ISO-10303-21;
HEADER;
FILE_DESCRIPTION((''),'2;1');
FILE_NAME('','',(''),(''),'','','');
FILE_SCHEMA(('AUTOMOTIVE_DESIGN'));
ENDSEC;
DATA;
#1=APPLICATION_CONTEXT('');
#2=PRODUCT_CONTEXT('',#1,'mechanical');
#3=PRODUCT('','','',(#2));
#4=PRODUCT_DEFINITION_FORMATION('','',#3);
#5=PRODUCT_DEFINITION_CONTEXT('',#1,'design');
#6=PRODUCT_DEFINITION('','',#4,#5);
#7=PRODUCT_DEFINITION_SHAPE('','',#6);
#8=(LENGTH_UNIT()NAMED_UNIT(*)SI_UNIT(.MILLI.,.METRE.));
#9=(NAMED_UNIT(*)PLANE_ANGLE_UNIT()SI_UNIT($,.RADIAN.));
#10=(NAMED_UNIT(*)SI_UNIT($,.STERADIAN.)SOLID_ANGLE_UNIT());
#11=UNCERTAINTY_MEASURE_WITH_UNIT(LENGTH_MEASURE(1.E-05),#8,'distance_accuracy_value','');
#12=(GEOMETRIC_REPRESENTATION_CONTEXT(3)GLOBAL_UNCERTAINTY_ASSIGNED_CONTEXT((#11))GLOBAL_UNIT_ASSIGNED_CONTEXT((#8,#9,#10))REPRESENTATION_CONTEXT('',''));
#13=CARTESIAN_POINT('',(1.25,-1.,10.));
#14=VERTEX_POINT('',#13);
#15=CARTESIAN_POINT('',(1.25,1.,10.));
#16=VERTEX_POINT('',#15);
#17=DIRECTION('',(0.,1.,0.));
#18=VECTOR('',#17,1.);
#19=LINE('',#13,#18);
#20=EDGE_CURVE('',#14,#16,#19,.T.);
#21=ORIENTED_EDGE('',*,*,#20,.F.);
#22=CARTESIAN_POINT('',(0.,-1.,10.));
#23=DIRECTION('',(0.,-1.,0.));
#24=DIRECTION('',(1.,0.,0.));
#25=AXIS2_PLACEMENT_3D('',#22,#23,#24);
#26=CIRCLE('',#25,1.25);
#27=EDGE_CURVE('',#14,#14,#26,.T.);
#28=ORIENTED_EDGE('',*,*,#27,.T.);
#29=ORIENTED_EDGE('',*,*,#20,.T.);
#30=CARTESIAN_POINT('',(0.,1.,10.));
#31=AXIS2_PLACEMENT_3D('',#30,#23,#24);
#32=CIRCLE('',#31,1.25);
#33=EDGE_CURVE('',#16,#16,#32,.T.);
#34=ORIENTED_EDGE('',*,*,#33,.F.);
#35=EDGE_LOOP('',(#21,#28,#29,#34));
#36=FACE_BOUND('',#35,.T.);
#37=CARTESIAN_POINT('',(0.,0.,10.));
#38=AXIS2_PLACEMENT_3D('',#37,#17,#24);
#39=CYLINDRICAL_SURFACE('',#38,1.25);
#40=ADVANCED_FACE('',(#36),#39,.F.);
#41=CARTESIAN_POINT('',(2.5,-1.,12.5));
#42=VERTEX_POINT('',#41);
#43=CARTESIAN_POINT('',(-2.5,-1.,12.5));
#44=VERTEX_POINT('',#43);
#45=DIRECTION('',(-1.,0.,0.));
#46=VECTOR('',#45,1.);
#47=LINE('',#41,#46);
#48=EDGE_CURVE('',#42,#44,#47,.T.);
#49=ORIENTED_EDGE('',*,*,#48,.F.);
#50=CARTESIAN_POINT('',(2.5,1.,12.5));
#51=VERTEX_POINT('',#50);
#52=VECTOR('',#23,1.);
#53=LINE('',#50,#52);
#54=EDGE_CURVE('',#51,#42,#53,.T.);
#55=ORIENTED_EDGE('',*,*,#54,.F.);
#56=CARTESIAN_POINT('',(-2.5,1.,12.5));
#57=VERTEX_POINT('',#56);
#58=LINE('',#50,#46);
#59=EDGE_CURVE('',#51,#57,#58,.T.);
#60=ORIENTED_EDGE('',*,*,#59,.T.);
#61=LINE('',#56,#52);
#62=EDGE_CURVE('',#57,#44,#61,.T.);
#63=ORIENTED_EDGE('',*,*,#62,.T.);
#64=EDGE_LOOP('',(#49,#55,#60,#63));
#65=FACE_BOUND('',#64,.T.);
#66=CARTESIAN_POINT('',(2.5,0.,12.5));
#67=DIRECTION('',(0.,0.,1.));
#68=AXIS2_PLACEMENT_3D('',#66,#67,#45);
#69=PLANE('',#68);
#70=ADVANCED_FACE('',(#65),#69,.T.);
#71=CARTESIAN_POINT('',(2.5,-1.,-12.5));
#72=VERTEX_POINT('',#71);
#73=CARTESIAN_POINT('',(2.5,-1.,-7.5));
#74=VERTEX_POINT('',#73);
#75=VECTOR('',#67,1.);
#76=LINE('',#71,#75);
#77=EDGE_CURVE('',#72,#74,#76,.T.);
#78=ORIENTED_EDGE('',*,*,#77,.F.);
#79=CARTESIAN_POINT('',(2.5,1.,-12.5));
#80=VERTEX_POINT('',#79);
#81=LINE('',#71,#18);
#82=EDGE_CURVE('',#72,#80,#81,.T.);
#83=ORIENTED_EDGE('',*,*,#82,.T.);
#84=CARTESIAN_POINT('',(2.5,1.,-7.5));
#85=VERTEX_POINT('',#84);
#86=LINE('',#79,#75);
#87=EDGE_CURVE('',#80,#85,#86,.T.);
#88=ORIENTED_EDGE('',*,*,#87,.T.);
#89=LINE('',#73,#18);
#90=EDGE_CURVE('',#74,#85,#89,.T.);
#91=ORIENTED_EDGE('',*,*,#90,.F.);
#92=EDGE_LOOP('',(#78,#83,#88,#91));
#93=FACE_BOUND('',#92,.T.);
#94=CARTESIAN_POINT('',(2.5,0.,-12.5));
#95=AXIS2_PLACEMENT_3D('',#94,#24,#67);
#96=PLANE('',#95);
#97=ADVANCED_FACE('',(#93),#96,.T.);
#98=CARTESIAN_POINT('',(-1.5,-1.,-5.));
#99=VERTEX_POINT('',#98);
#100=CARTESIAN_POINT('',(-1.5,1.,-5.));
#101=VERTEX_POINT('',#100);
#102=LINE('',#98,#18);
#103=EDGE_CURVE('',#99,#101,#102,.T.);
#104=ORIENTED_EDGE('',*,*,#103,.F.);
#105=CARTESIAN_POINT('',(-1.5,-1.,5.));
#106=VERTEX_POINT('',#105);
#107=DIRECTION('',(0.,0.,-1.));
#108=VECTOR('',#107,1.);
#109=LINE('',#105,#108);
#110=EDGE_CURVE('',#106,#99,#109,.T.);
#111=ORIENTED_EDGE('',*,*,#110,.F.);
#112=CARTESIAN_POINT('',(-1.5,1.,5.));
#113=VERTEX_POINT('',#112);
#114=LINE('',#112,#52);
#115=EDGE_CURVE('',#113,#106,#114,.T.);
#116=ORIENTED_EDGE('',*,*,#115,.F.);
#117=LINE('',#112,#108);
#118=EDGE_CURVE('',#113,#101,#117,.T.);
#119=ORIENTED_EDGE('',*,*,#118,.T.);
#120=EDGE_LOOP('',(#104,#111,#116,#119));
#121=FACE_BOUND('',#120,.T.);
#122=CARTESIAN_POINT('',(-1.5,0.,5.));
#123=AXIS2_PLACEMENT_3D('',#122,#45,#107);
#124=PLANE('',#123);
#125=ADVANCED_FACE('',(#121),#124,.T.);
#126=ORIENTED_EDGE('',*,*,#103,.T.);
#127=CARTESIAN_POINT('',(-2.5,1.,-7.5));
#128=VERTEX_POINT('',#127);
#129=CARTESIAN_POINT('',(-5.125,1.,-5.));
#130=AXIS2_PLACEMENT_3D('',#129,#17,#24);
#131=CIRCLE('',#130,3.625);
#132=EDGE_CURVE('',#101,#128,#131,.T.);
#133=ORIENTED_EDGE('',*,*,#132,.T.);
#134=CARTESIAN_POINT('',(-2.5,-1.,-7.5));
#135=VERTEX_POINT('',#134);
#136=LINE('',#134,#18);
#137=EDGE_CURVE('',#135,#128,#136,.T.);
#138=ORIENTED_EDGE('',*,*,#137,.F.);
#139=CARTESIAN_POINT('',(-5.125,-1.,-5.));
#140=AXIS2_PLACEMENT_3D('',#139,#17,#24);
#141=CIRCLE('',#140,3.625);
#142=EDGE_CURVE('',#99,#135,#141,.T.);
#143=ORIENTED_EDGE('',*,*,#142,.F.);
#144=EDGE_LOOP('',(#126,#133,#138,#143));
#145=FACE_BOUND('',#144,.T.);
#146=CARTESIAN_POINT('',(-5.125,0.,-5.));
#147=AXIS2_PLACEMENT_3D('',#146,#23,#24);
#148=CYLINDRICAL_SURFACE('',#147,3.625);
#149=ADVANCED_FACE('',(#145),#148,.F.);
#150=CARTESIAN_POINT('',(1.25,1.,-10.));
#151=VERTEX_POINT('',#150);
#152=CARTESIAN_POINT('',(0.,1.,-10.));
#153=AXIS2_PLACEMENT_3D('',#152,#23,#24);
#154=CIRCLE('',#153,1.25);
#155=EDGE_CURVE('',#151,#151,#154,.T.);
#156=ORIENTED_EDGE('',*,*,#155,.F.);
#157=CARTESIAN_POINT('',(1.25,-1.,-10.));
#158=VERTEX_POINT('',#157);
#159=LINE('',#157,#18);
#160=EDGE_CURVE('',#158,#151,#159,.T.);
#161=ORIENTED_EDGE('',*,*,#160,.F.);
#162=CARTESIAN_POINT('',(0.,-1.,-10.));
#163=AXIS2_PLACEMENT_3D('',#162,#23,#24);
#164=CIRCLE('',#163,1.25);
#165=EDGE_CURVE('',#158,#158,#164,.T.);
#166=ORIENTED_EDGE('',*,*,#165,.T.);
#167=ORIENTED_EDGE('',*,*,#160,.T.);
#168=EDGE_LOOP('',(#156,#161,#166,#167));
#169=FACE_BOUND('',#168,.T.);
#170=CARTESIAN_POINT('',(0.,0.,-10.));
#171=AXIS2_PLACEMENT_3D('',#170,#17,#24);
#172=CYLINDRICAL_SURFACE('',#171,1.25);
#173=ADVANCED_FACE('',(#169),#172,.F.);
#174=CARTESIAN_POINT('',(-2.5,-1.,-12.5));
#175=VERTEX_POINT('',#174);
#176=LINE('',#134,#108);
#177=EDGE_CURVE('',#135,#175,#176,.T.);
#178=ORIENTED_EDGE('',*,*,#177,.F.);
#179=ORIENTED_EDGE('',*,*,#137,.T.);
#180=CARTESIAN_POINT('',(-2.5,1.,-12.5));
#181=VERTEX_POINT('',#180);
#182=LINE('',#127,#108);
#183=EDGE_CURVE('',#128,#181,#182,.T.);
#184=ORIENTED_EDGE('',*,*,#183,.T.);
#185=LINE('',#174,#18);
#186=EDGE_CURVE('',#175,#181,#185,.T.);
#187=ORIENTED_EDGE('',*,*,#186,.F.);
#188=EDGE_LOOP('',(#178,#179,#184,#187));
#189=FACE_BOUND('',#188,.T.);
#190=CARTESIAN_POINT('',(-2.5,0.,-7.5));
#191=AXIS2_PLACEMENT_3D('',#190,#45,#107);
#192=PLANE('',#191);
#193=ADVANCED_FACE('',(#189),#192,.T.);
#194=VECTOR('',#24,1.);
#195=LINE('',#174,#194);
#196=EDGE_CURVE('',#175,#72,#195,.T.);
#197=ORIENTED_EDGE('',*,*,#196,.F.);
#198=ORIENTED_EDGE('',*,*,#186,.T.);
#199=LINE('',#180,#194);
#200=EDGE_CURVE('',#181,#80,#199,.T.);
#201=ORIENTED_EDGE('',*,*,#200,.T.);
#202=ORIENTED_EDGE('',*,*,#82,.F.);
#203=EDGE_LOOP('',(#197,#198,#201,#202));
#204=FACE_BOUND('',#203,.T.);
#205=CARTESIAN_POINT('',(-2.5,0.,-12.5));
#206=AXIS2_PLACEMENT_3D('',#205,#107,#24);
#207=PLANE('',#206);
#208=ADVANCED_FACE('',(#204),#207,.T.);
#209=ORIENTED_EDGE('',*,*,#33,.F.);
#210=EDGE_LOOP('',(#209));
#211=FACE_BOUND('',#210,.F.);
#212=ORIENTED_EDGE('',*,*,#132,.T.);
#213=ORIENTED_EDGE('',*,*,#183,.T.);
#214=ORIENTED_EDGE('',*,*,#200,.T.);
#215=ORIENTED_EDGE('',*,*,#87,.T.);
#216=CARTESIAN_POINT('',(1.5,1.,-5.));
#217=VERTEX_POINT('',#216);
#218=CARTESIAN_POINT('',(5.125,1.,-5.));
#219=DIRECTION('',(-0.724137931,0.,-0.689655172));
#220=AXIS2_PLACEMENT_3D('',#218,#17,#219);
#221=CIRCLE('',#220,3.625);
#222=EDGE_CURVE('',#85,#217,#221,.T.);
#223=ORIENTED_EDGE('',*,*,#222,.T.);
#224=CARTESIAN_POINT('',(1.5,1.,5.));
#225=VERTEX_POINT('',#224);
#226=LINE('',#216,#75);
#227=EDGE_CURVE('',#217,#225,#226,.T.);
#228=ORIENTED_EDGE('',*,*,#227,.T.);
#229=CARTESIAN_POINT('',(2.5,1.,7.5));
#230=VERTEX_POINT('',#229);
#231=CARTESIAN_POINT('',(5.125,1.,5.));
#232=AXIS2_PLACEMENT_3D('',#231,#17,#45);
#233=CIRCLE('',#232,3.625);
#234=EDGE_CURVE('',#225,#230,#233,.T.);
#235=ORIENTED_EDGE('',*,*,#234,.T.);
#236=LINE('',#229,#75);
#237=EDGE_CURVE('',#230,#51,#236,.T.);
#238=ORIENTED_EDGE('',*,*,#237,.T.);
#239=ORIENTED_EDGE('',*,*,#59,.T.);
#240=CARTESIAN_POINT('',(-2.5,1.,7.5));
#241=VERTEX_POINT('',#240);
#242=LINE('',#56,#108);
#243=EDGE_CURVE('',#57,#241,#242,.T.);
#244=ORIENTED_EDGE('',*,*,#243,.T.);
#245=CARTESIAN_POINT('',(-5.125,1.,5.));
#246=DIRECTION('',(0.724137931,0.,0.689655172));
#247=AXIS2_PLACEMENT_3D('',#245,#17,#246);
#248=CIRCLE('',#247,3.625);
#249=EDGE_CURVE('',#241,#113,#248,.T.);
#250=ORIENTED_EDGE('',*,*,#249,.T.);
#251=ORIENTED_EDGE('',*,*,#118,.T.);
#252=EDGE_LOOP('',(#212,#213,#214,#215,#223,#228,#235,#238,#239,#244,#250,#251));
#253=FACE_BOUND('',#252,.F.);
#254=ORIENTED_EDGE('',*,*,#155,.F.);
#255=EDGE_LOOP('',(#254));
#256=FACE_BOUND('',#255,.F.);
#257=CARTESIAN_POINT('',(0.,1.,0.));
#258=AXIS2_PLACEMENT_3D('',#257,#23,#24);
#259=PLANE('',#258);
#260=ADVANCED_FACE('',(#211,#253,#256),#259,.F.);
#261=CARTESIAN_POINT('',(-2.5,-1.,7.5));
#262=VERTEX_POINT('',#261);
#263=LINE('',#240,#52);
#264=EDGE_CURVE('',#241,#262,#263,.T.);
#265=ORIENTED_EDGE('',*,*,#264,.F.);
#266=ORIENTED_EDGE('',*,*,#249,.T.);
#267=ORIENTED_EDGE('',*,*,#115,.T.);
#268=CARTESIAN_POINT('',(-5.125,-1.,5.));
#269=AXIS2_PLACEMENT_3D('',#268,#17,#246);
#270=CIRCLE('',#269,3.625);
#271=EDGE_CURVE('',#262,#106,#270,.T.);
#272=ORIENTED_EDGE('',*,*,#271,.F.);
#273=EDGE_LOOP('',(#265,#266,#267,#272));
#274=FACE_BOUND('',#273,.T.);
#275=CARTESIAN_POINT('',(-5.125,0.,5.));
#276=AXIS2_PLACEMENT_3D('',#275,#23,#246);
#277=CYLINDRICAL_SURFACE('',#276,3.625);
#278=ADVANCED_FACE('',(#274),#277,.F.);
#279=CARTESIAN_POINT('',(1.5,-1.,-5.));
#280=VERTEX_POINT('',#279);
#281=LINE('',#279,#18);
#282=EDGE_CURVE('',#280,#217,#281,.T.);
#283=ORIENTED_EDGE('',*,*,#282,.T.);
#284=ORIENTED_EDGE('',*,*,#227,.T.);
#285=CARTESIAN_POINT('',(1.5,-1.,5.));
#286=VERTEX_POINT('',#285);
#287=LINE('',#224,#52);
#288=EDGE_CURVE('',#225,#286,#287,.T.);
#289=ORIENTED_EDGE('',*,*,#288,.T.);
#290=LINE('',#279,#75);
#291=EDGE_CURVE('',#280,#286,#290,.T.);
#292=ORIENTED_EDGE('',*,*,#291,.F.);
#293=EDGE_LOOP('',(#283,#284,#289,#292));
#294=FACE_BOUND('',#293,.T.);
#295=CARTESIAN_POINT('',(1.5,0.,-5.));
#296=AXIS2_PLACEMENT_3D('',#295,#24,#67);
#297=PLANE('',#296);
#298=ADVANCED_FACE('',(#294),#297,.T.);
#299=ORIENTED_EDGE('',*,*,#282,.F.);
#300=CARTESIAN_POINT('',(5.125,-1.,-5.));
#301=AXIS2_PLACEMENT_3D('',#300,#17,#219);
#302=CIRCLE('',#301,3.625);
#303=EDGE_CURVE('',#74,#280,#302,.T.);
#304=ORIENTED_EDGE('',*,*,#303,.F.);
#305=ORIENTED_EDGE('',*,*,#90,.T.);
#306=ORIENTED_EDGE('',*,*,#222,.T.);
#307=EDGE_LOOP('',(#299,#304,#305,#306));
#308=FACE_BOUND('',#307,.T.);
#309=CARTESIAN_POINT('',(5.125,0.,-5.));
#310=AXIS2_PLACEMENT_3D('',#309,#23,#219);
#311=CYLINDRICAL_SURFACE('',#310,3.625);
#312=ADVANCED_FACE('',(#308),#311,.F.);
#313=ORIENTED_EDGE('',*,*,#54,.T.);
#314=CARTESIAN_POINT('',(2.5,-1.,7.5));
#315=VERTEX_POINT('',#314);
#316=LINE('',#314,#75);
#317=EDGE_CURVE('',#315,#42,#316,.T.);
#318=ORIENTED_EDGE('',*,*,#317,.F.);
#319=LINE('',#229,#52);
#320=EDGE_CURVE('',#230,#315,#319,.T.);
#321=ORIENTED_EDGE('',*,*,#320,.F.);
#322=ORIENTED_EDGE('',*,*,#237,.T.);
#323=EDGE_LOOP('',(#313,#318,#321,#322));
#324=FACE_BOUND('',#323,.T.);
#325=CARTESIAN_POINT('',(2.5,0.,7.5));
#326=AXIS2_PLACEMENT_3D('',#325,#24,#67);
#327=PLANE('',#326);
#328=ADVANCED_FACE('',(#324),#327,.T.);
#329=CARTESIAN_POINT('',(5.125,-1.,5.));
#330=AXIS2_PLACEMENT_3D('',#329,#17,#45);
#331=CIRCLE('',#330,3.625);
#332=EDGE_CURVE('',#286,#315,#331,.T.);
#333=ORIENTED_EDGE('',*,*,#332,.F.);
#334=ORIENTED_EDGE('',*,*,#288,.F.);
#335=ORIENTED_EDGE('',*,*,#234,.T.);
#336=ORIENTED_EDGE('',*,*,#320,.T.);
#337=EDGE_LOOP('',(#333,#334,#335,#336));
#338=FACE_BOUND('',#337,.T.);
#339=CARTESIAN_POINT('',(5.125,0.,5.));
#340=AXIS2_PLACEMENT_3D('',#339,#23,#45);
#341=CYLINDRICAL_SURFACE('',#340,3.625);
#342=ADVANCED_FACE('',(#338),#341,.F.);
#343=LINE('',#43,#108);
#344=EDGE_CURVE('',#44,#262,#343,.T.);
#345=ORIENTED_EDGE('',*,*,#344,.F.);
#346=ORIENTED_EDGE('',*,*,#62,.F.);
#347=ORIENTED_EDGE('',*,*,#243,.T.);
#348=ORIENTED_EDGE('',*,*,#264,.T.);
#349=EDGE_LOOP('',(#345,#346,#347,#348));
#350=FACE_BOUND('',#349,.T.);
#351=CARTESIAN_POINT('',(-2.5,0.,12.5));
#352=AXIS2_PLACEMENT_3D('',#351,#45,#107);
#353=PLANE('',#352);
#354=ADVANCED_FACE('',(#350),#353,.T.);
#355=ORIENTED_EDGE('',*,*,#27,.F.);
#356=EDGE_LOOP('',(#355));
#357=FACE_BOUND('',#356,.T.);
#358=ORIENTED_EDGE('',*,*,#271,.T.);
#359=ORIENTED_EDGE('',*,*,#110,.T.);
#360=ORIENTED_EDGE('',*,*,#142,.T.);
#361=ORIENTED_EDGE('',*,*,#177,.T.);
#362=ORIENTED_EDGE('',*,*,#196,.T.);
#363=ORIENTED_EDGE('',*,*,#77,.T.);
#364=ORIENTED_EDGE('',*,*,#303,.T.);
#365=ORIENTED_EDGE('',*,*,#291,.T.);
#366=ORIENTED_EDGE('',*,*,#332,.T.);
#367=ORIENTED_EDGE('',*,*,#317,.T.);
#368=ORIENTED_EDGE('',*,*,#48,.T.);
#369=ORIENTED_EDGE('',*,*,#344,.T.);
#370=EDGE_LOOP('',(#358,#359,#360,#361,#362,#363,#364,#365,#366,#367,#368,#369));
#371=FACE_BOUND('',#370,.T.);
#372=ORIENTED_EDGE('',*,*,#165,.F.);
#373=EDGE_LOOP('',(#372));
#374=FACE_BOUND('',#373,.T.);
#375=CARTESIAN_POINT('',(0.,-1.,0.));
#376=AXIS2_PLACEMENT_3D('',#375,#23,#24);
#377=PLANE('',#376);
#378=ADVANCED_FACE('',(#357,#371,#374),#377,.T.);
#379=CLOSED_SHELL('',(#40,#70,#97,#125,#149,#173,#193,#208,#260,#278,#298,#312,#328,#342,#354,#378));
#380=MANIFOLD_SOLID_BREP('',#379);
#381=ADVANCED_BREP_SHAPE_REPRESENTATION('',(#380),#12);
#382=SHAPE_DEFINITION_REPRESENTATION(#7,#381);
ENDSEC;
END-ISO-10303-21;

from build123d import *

# Parameters (mm, degrees)
F0_R     = 1.25
F1_DEPTH = 1


with BuildPart() as f1:
    # F0 (on Front) → F1 (new body, symmetric)
    with BuildSketch(Plane.XZ):
        with BuildLine():
            Line((1.5, -5), (1.5, 0))
            Line((1.5, 0), (1.5, 5))
            ThreePointArc((1.5, 5), (1.7592719955, 6.3462912018), (2.5, 7.5))
            Line((2.5, 7.5), (2.5, 12.5))
            Line((2.5, 12.5), (0, 12.5))
            Line((0, 12.5), (-2.5, 12.5))
            Line((-2.5, 12.5), (-2.5, 7.5))
            ThreePointArc((-2.5, 7.5), (-1.7592719955, 6.3462912018), (-1.5, 5))
            Line((-1.5, 5), (-1.5, 0))
            Line((-1.5, 0), (-1.5, -5))
            ThreePointArc((-1.5, -5), (-1.7592719955, -6.3462912018), (-2.5, -7.5))
            Line((-2.5, -7.5), (-2.5, -12.5))
            Line((-2.5, -12.5), (0, -12.5))
            Line((0, -12.5), (2.5, -12.5))
            Line((2.5, -12.5), (2.5, -7.5))
            ThreePointArc((2.5, -7.5), (1.7592719955, -6.3462912018), (1.5, -5))
        make_face()
        with Locations((0, -10)):
            Circle(F0_R, mode=Mode.SUBTRACT)
        with Locations((0, 10)):
            Circle(F0_R, mode=Mode.SUBTRACT)
    extrude(amount=F1_DEPTH, both=True)


solid = f1.part
